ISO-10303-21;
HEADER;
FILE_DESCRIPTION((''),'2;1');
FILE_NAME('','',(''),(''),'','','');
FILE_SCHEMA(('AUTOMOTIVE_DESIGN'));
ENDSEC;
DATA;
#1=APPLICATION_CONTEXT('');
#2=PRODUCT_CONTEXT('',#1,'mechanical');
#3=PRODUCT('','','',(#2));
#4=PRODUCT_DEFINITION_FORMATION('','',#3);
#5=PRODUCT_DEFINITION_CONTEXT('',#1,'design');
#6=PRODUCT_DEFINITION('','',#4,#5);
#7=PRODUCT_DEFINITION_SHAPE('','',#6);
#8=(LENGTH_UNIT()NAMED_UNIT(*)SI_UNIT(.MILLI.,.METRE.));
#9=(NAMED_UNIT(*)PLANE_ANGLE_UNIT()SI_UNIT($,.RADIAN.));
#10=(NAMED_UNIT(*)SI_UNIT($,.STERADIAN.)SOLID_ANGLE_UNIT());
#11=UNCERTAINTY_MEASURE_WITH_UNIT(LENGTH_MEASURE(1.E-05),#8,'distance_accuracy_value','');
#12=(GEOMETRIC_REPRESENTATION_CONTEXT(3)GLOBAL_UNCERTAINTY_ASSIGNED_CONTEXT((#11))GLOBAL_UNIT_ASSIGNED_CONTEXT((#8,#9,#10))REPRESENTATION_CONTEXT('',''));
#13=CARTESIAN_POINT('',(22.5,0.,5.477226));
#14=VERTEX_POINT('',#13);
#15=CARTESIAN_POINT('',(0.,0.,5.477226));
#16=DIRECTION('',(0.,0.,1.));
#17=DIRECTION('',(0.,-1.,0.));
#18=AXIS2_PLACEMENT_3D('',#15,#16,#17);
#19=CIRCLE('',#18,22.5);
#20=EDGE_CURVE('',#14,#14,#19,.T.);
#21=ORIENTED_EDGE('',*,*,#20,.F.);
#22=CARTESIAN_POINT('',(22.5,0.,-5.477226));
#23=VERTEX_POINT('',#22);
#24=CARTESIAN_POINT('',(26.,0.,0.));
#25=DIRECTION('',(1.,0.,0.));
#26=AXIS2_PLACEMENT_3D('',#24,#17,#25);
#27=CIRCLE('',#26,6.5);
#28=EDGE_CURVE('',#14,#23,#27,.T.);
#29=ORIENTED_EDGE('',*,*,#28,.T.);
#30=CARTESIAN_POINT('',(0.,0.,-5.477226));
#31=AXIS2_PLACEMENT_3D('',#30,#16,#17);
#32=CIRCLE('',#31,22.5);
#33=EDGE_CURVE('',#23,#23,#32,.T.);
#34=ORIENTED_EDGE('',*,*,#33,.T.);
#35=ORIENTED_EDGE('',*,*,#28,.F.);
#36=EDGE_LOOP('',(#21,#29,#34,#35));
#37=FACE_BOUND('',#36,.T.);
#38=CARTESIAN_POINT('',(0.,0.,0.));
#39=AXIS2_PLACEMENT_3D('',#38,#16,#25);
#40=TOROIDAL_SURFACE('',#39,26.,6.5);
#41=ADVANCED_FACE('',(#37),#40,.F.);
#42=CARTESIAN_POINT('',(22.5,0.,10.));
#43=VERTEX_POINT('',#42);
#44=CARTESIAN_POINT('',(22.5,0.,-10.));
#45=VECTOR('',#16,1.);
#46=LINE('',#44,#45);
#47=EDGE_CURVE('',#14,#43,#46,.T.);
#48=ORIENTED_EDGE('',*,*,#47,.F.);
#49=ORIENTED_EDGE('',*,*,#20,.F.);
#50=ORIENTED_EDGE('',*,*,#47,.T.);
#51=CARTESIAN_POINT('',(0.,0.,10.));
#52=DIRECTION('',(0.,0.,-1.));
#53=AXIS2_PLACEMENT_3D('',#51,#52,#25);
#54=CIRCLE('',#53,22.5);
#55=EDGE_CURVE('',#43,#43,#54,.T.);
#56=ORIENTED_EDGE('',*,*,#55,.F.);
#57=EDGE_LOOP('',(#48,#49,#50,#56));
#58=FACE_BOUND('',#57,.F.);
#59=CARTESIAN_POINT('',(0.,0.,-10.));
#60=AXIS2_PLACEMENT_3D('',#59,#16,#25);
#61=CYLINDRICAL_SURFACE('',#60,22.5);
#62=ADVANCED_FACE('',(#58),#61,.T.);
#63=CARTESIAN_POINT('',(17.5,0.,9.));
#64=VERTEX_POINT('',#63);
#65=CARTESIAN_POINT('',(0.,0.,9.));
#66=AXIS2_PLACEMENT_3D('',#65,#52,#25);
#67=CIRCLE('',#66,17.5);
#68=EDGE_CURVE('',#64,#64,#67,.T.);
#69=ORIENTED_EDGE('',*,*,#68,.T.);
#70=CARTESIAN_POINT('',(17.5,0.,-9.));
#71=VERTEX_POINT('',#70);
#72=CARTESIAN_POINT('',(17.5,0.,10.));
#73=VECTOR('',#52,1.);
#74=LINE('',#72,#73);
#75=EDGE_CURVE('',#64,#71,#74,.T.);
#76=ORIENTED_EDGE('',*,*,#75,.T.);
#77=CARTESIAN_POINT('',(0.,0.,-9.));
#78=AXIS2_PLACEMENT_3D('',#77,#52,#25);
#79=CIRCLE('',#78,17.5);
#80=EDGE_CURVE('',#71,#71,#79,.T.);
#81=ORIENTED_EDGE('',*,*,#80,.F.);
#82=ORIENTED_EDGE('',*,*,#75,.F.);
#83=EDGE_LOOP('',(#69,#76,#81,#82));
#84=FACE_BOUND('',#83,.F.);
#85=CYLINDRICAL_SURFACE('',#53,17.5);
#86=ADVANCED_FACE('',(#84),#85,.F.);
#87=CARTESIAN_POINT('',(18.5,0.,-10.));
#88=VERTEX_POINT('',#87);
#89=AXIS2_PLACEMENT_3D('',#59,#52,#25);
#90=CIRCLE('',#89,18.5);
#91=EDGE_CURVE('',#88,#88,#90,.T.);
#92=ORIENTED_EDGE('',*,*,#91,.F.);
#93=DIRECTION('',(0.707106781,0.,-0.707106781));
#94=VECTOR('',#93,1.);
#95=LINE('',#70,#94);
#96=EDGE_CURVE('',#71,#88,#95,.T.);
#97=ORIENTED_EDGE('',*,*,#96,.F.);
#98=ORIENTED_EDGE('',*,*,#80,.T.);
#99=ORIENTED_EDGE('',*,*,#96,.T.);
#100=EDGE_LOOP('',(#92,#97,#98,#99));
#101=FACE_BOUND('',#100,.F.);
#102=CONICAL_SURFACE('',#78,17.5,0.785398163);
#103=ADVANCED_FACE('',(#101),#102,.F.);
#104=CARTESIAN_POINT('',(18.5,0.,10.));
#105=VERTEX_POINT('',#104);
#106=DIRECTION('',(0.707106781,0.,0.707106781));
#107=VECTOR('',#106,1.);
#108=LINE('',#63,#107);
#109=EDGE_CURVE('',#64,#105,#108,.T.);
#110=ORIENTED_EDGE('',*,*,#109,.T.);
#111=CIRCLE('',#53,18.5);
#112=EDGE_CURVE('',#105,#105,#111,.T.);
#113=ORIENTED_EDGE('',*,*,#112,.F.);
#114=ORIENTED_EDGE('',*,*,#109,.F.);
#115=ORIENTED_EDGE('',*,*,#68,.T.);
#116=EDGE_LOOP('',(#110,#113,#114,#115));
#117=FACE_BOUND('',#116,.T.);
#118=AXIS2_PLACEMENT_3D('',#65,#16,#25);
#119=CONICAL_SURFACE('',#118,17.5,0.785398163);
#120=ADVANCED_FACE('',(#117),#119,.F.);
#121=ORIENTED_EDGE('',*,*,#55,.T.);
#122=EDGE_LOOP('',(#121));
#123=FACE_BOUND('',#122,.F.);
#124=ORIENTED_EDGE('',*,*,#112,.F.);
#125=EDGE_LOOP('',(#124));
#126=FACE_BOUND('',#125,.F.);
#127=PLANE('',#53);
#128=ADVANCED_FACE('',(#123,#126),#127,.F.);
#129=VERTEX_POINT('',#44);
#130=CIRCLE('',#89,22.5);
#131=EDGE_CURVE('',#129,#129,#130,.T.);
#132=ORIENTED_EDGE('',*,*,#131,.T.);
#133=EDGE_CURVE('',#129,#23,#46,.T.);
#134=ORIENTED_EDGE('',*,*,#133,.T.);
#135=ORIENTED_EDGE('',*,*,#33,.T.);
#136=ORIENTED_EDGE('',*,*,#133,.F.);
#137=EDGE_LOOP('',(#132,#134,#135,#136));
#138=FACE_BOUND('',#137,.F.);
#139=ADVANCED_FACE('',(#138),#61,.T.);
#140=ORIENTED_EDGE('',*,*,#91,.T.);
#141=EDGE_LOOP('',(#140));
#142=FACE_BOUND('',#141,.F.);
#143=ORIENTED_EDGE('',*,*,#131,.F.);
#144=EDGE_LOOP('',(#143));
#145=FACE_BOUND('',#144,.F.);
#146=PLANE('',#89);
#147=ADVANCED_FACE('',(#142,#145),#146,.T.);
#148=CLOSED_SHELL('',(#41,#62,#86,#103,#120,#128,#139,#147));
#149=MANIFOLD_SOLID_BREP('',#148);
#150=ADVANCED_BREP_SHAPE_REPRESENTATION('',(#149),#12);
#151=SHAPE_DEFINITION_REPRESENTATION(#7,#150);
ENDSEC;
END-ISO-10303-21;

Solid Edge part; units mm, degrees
sketch "Sketch1" plane through (0, 0, 0) normal (0, -1, 0) x (1, 0, 0)
  line L0 (17.5, 10) -> (17.5, -10)
  line L1 (17.5, -10) -> (22.5, -10)
  line L2 (22.5, -10) -> (22.5, 10)
  line L3 (22.5, 10) -> (17.5, 10)
  dimension "D1" = 5
  dimension "D2" = 20
revolve "RevolvedProtrusion1" add sketch "Sketch1" angle 360 about axis through (0, 0, 54) along (0, 0, -1)
chamfer "Chamfer1" distance 1 angle 45 2 edges at (-17.5, 0, 10) (-17.5, 0, -10)
sketch "Sketch2" plane through (0, 0, 0) normal (0, -1, 0) x (1, 0, 0)
  circle A0 centre (26, 0) radius 6.5
  dimension "D1" = 26
revolve "RevolvedCutout1" cut sketch "Sketch2" angle 360 about axis through (0, 0, 54) along (0, 0, -1)
properties material "Polyethylene, low density"
